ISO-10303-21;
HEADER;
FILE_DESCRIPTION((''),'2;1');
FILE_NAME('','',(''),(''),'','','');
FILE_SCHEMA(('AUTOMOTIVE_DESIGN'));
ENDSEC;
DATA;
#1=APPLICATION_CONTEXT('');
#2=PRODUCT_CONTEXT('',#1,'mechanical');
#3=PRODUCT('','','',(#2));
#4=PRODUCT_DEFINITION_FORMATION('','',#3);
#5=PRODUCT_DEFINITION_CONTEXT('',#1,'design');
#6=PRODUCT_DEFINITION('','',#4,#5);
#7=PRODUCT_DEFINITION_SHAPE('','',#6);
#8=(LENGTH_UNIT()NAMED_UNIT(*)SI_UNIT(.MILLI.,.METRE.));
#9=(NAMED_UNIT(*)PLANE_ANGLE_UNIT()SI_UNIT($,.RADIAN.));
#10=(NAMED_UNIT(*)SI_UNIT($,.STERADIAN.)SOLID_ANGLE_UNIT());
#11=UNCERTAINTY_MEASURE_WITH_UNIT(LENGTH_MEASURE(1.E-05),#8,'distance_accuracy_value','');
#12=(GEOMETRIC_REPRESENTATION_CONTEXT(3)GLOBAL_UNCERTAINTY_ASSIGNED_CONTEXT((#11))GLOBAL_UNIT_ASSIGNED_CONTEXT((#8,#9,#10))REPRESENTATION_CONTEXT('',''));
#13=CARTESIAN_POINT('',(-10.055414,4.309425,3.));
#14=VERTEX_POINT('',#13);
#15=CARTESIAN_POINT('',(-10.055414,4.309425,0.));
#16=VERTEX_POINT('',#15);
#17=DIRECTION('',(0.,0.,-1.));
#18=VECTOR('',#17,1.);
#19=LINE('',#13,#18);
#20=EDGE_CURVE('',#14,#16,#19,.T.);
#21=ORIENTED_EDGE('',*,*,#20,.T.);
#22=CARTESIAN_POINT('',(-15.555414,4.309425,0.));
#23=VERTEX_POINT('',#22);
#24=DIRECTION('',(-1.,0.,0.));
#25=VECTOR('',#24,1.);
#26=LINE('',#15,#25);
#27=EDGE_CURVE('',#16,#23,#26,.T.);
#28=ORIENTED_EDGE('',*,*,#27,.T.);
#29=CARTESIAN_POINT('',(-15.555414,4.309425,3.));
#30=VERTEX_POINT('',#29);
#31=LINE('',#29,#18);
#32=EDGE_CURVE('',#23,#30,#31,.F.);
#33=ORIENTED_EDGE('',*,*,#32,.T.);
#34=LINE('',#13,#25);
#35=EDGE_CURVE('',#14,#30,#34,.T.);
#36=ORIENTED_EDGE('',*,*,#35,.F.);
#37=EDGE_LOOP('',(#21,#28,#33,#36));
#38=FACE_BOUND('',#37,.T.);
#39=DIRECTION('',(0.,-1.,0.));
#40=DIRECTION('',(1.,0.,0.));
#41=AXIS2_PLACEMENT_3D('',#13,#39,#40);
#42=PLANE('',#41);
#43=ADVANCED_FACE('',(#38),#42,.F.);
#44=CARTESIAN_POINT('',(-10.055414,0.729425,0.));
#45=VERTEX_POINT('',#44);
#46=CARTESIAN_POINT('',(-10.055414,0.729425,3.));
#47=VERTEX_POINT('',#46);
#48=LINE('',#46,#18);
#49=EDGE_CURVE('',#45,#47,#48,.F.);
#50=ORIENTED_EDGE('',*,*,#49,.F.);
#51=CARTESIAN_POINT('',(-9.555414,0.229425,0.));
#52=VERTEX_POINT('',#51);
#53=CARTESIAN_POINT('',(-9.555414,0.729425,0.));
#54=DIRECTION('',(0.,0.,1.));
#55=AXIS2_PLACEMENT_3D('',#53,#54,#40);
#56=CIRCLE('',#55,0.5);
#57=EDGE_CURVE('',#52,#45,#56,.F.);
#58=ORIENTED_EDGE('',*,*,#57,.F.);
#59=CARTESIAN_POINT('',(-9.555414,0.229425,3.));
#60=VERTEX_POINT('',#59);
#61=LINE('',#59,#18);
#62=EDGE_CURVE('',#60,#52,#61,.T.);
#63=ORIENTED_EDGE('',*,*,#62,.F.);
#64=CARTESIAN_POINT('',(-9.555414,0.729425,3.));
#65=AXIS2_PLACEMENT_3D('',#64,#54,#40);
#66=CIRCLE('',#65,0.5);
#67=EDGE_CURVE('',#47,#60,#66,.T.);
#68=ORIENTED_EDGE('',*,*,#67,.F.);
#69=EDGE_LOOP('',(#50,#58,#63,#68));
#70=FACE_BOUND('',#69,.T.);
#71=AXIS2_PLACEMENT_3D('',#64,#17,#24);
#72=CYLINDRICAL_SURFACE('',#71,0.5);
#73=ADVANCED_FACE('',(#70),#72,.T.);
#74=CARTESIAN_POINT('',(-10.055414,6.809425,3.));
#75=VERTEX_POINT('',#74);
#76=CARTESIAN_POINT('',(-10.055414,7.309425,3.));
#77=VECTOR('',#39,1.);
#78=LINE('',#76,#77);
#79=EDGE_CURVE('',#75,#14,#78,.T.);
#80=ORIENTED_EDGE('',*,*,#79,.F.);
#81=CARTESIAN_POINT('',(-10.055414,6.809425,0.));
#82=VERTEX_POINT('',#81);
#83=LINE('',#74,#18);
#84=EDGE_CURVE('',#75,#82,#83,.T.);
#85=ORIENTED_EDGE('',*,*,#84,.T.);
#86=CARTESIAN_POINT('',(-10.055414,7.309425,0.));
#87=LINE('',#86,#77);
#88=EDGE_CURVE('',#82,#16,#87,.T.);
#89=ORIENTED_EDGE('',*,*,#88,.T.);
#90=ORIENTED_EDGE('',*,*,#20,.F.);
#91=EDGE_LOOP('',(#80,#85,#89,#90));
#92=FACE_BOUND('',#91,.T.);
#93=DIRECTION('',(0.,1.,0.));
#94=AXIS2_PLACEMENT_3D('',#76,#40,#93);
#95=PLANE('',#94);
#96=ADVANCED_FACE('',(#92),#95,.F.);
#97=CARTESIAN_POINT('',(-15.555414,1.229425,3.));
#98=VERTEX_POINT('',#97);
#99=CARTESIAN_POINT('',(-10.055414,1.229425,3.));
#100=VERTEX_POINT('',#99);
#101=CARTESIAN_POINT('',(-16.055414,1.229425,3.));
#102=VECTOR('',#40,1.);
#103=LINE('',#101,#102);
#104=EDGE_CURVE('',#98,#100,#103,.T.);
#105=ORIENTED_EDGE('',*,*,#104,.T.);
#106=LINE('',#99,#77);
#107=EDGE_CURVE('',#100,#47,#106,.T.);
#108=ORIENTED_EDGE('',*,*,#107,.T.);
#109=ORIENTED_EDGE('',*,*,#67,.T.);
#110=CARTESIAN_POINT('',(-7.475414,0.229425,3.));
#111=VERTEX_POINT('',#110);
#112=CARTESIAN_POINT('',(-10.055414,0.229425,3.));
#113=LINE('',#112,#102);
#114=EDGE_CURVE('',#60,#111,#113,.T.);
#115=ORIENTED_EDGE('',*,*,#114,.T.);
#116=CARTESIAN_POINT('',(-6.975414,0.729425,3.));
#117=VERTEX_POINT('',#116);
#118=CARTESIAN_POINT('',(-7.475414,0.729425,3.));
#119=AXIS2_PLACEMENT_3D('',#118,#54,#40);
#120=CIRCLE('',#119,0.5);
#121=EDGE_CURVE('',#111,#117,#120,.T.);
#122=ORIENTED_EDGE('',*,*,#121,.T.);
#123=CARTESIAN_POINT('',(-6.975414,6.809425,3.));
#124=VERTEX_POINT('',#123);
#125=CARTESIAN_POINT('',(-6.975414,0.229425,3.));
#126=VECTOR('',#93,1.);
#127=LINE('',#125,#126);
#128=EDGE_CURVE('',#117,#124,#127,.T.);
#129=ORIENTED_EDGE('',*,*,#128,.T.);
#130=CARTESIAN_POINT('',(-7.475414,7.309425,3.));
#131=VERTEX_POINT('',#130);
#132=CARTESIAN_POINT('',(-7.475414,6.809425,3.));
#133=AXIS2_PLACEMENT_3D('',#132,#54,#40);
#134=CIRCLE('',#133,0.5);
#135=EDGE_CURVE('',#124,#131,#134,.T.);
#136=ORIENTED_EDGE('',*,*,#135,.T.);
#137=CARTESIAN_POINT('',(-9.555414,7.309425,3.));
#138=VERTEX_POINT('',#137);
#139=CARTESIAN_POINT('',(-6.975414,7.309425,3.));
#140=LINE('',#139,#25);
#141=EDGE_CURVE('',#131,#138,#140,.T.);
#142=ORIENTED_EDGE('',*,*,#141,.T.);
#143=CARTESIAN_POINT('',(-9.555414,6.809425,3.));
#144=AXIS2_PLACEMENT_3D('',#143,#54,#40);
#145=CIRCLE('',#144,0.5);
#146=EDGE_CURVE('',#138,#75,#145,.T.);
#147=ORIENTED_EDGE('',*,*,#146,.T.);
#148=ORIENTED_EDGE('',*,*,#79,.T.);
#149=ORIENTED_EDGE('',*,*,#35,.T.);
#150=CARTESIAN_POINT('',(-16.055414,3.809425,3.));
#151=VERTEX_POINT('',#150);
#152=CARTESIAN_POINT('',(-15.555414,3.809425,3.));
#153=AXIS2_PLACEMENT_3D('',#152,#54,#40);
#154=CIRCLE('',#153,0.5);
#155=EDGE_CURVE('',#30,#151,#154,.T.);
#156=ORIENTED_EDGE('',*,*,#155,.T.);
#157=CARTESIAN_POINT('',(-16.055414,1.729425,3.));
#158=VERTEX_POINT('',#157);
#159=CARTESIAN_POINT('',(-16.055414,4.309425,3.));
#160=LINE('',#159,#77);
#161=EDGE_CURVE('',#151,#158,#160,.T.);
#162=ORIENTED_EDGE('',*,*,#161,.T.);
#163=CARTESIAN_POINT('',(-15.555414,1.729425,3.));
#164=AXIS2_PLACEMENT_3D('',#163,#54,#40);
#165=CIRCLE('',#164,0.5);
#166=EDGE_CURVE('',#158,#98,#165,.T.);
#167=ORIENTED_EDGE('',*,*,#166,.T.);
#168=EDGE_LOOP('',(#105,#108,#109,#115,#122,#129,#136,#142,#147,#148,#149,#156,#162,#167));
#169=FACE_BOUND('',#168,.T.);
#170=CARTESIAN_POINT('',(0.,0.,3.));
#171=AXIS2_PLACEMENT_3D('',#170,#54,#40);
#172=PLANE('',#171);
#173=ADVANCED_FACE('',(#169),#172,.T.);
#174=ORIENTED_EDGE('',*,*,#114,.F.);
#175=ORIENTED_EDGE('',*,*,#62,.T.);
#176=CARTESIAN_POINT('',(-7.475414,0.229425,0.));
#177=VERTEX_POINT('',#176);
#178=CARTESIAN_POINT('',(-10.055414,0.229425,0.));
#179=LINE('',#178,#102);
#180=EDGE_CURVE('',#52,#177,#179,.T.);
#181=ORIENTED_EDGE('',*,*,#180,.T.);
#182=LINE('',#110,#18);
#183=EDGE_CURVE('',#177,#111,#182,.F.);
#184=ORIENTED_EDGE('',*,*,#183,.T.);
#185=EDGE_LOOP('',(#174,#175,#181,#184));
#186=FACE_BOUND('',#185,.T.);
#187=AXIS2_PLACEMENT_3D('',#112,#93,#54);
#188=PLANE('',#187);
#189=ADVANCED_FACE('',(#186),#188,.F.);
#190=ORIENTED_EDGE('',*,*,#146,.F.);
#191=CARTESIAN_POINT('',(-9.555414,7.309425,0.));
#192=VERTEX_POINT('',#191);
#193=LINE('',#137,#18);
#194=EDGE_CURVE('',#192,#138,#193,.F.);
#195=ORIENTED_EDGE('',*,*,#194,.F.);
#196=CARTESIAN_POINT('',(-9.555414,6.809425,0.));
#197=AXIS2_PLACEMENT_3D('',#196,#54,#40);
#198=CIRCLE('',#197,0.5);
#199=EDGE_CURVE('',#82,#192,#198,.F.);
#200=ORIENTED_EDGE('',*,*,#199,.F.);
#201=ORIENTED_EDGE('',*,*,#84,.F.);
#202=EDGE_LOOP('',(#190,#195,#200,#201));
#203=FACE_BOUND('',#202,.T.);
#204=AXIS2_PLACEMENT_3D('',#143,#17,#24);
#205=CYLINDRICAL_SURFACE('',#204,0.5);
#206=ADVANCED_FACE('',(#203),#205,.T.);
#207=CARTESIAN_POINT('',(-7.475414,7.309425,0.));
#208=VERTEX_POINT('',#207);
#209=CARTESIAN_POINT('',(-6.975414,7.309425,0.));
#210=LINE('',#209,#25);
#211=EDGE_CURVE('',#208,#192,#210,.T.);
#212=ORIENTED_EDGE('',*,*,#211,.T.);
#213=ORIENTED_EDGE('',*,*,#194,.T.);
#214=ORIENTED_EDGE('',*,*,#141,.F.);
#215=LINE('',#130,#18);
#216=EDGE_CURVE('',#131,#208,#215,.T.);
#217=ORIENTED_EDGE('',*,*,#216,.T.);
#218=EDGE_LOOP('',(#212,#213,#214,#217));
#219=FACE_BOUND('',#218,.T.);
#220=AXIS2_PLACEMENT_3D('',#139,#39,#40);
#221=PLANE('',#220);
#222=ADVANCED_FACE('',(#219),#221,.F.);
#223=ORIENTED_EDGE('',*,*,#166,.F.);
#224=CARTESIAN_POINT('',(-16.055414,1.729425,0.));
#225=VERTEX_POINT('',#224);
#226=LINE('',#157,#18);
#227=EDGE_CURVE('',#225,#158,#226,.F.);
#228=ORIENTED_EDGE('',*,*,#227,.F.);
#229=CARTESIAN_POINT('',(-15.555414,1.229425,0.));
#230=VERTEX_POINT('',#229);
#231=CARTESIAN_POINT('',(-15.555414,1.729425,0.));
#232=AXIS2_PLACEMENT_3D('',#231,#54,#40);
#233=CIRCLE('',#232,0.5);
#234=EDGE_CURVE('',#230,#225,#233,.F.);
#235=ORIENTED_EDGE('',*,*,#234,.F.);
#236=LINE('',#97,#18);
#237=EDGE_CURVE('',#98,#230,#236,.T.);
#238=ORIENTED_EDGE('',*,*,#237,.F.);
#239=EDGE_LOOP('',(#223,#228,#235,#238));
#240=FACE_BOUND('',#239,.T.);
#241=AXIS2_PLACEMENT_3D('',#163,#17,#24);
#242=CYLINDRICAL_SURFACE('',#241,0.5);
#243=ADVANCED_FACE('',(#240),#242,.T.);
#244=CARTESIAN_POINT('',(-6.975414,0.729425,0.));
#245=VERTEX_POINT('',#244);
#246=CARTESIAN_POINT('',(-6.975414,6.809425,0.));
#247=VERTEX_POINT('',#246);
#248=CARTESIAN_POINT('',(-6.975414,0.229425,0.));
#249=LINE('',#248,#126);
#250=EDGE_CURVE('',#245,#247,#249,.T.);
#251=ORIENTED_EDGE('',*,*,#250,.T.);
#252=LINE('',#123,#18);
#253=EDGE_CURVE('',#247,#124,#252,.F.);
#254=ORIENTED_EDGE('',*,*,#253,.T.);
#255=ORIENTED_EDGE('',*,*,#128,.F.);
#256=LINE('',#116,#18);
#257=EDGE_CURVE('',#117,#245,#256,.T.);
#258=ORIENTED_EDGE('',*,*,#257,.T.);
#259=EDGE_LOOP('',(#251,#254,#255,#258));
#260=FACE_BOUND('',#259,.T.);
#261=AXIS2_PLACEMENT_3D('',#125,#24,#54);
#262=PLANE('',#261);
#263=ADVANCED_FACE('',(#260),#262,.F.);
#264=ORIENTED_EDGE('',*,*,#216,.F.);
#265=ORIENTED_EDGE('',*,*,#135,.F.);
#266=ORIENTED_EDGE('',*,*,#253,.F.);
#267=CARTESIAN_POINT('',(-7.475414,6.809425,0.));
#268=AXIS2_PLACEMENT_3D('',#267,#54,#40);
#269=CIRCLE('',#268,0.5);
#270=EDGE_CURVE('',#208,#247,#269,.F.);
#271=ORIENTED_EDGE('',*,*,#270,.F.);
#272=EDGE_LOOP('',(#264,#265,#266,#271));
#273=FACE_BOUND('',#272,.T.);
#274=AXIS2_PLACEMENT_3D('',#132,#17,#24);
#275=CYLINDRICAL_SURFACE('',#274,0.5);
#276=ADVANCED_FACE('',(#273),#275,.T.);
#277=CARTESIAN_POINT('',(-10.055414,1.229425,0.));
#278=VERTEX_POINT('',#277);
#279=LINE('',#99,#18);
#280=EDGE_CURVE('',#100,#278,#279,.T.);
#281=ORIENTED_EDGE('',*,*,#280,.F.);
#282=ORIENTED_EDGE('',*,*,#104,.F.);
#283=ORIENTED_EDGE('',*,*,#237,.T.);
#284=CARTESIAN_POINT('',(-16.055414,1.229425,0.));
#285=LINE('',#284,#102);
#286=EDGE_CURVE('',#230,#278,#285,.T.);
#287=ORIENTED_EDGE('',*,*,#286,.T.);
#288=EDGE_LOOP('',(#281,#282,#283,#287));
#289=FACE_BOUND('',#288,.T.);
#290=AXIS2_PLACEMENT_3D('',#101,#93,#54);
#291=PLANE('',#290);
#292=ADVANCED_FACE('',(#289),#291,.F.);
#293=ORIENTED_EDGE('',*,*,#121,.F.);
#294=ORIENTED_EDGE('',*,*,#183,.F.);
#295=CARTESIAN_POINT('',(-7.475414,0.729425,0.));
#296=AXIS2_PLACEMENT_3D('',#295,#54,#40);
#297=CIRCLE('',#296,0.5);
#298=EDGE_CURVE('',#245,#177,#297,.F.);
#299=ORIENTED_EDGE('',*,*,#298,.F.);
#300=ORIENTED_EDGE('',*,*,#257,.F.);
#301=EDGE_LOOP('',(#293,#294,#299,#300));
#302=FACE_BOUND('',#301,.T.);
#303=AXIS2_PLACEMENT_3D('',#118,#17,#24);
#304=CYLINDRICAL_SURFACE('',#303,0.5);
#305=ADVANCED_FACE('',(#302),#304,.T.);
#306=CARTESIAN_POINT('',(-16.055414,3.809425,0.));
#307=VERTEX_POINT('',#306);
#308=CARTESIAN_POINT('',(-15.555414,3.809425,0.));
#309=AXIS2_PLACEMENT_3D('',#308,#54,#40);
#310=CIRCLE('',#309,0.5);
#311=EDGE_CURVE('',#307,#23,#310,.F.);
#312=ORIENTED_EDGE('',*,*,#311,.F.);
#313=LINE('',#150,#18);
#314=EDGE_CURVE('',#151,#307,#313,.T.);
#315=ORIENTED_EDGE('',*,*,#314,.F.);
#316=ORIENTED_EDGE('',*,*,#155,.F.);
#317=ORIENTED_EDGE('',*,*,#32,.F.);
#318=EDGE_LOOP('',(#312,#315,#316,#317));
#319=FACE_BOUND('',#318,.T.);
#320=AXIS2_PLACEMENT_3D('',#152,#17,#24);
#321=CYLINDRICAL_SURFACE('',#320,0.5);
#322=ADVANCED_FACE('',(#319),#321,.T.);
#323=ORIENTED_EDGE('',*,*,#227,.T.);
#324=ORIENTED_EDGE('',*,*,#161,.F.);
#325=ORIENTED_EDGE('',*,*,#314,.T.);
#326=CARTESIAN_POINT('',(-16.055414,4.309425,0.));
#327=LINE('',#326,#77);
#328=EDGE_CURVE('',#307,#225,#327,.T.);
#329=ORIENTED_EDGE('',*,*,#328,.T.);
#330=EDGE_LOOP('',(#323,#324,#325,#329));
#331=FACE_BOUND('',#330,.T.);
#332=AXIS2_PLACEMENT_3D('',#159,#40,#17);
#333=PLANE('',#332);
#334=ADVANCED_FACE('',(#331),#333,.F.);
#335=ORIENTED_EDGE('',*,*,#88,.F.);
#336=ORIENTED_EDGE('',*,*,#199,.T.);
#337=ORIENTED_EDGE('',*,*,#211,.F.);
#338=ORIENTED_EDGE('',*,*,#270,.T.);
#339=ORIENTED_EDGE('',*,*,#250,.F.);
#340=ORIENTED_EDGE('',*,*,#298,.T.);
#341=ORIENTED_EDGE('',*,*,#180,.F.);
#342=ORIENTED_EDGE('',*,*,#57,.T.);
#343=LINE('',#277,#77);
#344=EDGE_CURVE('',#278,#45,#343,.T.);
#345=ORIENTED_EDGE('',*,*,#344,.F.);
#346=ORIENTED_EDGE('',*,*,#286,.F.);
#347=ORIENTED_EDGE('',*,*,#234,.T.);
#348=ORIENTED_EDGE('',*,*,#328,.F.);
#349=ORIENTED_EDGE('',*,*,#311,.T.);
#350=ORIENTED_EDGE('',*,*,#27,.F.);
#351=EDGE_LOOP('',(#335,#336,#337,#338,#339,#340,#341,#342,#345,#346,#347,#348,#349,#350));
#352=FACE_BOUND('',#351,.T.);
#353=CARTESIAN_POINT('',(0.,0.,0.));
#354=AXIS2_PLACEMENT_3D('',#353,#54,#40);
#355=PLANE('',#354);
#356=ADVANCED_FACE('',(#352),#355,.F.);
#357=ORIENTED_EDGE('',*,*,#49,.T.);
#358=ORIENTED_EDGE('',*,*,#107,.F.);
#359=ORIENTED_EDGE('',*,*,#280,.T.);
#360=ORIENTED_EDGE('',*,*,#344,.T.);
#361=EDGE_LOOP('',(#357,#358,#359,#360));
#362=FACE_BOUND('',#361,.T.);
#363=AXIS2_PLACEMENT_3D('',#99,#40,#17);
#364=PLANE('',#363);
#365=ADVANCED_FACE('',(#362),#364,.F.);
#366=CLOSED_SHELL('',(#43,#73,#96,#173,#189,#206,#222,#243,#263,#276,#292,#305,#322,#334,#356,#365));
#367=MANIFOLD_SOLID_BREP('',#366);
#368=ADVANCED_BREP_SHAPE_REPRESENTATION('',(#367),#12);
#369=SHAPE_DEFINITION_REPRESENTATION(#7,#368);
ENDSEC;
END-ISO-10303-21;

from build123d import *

# Parameters (mm, degrees)
BOSS_EXTRUDE1_DEPTH = 3
FILLET1_R           = 0.5


with BuildPart() as part:
    # Sketch1 → Boss-Extrude1 (new body)
    with BuildSketch(Plane.XY):
        Polygon((-16.055414073, 1.22942486), (-10.055414073, 1.22942486), (-10.055414073, 0.22942486), (-6.975414073, 0.22942486), (-6.975414073, 7.30942486), (-10.055414073, 7.30942486), (-10.055414073, 4.30942486), (-16.055414073, 4.30942486), align=None)
    extrude(amount=BOSS_EXTRUDE1_DEPTH)

    # Fillet1
    fillet1_edges = [part.edges().sort_by_distance(p)[0] for p in [
        (-16.055414073, 4.30942486, 1.5),
        (-10.055414073, 7.30942486, 1.5),
        (-6.975414073, 7.30942486, 1.5),
        (-6.975414073, 0.22942486, 1.5),
        (-10.055414073, 0.22942486, 1.5),
        (-16.055414073, 1.22942486, 1.5),
    ]]
    fillet(fillet1_edges, radius=FILLET1_R)


solid = part.part
